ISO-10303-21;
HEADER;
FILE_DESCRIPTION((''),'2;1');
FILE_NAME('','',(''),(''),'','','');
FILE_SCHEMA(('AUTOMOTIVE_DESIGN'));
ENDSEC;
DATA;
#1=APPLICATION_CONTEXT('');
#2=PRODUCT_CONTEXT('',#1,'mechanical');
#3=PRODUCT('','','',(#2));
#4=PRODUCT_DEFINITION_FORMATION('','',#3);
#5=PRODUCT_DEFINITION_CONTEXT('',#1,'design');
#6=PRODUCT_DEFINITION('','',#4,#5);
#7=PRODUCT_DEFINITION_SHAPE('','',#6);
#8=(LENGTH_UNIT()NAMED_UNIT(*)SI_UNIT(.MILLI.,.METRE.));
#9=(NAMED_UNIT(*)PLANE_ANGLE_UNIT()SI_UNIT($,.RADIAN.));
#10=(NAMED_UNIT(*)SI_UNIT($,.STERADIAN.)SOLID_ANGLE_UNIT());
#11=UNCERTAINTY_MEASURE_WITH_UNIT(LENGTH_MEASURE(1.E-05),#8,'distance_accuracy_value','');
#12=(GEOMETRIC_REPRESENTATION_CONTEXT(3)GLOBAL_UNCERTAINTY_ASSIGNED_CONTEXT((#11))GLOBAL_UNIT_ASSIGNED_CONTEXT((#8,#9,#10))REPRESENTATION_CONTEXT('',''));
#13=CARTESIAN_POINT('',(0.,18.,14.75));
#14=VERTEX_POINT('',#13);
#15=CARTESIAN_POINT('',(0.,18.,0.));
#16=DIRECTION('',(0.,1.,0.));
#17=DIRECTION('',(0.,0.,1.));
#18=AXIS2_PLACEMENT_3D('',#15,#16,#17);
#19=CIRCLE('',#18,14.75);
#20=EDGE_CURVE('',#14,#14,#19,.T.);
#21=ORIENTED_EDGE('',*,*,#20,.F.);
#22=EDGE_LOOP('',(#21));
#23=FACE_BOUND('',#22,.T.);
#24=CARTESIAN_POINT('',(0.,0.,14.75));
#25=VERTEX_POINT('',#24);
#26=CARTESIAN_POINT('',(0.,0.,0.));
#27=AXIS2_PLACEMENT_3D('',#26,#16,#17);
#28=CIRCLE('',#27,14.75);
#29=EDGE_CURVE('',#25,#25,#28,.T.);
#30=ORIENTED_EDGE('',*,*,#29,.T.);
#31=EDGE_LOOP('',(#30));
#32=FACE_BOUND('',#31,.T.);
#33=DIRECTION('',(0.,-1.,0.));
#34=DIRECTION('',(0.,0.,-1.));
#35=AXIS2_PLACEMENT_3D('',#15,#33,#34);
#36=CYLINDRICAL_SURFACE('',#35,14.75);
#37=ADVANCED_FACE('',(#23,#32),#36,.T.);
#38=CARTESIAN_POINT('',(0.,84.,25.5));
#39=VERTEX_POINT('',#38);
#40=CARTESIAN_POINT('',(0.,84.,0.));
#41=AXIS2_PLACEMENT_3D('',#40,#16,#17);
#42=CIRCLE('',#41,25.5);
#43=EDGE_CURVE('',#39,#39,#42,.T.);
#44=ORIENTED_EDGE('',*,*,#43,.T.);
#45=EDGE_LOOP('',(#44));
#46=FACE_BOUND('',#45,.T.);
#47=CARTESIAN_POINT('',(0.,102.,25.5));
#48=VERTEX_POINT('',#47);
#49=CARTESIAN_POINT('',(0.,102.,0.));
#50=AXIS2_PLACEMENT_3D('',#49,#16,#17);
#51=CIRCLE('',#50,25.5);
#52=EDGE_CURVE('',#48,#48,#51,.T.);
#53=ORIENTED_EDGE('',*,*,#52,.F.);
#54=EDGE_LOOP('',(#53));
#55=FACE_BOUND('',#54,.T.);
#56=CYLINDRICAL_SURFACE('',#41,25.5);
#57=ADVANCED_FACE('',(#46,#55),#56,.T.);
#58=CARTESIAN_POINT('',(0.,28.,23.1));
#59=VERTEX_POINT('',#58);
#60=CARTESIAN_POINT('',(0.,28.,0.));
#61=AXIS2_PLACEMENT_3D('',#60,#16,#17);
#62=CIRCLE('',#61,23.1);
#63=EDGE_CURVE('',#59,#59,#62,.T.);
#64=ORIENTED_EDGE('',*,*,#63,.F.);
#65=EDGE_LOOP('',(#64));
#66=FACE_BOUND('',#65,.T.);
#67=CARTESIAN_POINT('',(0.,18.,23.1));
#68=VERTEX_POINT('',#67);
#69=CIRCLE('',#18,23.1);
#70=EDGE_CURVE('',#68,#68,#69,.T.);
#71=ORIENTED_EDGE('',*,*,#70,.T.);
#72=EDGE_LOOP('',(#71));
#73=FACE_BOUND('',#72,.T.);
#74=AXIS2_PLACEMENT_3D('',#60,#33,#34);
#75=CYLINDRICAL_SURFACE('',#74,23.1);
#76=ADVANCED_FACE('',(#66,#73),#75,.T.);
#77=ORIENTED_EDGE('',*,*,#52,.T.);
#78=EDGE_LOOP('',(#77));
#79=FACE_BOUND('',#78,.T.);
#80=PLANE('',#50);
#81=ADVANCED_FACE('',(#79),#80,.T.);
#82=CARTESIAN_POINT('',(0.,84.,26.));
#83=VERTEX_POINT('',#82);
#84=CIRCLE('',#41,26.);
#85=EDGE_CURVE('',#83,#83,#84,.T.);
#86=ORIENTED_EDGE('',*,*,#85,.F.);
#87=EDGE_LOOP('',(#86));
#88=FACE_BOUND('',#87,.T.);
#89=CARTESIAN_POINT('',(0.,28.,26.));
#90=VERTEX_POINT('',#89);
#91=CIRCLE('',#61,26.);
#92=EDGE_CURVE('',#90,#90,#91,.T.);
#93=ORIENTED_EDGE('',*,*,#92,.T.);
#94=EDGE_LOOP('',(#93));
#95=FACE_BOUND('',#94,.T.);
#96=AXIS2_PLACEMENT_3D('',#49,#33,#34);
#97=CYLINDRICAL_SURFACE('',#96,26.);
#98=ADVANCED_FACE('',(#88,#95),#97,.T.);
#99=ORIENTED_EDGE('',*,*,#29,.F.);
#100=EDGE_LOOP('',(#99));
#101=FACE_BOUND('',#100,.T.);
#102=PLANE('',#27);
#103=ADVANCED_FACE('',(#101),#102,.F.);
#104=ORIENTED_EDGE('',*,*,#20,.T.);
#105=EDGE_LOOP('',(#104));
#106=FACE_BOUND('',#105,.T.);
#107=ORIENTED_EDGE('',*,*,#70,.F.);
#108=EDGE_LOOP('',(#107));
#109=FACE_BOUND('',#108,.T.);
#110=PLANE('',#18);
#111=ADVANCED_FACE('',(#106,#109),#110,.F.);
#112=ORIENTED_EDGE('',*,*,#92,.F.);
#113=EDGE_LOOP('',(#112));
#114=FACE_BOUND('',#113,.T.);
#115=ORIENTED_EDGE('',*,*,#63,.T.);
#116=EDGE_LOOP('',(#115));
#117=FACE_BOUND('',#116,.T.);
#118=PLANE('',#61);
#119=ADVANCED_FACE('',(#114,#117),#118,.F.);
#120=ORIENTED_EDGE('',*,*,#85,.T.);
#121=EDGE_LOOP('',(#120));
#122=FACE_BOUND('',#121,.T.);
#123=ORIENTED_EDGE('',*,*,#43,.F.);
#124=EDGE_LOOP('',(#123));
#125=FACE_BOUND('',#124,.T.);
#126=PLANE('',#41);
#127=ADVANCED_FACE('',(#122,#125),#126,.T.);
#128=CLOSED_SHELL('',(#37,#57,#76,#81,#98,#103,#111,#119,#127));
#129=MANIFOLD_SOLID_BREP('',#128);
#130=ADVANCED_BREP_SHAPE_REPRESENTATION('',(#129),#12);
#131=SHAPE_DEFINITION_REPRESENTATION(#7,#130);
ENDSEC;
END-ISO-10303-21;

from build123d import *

# Parameters (mm, degrees)
SKETCH1_R           = 14.75
BOSS_EXTRUDE1_DEPTH = 18
SKETCH2_R           = 23.1
BOSS_EXTRUDE2_DEPTH = 10
SKETCH3_R           = 26
BOSS_EXTRUDE3_DEPTH = 74
SKETCH4_R           = 26
SKETCH4_R_2         = 25.5
CUT_EXTRUDE1_DEPTH  = 18


with BuildPart() as part:
    # Sketch1 → Boss-Extrude1 (new body)
    with BuildSketch(Plane(origin=(0, 0, 0), x_dir=(1, 0, 0), z_dir=(0, 1, 0))):
        Circle(SKETCH1_R)
    extrude(amount=BOSS_EXTRUDE1_DEPTH)

    # Sketch2 → Boss-Extrude2 (add)
    with BuildSketch(Plane(origin=(0, 18, 0), x_dir=(1, 0, 0), z_dir=(0, 1, 0))):
        Circle(SKETCH2_R)
    extrude(amount=BOSS_EXTRUDE2_DEPTH)

    # Sketch3 → Boss-Extrude3 (add)
    with BuildSketch(Plane(origin=(0, 28, 0), x_dir=(1, 0, 0), z_dir=(0, 1, 0))):
        Circle(SKETCH3_R)
    extrude(amount=BOSS_EXTRUDE3_DEPTH)

    # Sketch4 → Cut-Extrude1 (cut)
    with BuildSketch(Plane(origin=(0, 102, 0), x_dir=(1, 0, 0), z_dir=(0, 1, 0))):
        Circle(SKETCH4_R)
        Circle(SKETCH4_R_2, mode=Mode.SUBTRACT)
    extrude(amount=-CUT_EXTRUDE1_DEPTH, mode=Mode.SUBTRACT)


solid = part.part
